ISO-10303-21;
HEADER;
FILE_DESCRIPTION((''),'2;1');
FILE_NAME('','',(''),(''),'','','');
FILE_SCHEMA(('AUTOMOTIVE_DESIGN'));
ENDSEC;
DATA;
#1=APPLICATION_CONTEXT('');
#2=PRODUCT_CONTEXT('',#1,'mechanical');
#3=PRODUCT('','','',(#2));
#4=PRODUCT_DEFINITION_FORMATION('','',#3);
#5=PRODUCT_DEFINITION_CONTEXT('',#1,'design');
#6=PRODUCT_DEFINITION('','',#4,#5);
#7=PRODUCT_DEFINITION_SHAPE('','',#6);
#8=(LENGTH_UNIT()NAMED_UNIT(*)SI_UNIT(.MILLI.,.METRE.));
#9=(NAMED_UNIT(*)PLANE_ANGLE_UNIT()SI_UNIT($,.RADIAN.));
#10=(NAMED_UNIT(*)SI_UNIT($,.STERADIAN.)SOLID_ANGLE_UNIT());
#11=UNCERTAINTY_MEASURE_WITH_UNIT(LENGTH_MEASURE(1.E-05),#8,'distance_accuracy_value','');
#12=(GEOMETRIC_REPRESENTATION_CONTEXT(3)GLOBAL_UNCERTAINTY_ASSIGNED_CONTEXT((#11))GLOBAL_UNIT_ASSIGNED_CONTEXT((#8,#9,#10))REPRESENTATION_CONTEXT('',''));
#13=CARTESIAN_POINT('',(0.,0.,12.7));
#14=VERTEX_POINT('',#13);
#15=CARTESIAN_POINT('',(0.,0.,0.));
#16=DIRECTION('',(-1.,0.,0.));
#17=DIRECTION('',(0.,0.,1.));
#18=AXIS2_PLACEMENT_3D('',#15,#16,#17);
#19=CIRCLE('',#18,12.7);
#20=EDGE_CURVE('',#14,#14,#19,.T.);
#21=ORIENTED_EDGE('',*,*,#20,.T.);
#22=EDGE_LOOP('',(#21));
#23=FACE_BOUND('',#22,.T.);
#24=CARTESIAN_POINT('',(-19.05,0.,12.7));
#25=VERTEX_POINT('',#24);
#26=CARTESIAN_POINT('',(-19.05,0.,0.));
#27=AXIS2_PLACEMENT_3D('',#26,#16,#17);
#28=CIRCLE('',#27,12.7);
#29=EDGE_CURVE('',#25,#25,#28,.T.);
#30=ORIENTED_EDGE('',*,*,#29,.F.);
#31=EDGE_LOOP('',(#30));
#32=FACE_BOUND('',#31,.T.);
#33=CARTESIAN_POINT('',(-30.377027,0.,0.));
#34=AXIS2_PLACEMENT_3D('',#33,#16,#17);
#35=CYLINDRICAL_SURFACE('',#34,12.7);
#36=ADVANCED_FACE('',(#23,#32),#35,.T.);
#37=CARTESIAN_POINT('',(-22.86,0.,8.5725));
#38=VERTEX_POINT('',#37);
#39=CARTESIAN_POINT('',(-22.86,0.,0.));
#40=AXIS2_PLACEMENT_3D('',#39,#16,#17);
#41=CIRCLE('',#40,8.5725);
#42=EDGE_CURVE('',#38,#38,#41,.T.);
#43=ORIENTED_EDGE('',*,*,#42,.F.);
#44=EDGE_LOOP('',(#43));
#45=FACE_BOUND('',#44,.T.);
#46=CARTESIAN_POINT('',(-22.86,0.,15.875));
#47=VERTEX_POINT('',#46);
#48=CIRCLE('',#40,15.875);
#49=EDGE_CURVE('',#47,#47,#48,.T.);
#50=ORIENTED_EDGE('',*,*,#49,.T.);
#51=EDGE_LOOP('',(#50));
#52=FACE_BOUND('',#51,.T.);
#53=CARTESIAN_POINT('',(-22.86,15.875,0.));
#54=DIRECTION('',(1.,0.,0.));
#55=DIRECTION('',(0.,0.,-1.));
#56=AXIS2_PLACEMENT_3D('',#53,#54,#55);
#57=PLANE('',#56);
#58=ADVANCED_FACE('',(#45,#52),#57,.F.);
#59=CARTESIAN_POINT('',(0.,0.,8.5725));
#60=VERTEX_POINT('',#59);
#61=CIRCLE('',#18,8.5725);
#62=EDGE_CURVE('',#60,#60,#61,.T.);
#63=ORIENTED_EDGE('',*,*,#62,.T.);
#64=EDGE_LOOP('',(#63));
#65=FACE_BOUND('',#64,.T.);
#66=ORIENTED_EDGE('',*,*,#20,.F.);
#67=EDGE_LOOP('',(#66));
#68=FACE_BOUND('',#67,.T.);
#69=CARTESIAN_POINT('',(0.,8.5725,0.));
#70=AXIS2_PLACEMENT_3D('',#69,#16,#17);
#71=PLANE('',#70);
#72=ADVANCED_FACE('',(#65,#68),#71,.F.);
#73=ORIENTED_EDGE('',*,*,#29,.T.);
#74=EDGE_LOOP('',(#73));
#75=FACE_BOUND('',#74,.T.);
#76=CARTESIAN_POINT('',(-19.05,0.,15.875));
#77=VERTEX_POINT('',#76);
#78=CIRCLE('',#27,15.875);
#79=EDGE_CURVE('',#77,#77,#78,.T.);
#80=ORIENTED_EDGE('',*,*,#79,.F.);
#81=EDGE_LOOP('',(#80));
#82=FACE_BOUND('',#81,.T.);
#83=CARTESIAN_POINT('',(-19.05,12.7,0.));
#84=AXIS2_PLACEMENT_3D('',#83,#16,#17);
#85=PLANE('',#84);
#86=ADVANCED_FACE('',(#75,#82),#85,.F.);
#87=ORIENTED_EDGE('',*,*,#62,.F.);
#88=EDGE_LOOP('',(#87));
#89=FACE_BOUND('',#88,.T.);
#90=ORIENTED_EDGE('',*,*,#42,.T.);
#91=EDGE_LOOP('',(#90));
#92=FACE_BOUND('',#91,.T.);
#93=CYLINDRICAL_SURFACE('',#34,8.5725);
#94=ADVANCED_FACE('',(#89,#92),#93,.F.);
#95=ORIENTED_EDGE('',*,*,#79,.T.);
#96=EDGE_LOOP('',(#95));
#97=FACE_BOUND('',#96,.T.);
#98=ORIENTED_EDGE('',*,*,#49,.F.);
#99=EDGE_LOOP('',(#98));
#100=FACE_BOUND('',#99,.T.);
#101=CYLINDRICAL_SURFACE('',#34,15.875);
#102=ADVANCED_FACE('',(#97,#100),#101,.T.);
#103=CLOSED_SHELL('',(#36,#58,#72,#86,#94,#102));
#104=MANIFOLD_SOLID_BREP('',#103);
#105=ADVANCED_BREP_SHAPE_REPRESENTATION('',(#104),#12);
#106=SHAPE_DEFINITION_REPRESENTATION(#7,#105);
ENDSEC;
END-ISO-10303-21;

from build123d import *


with BuildPart() as part:
    # Sketch1 → Revolve1 (revolve)
    with BuildSketch(Plane.XY, mode=Mode.PRIVATE) as revolve1_sk:
        Polygon((0, 8.5725), (0, 12.7), (-19.05, 12.7), (-19.05, 15.875), (-22.86, 15.875), (-22.86, 8.5725), align=None)
    revolve(revolve1_sk.sketch.rotate(Axis((-30.377027027, 0, 0), (1, 0, 0)), 90), axis=Axis((-30.377027027, 0, 0), (1, 0, 0)))


solid = part.part
